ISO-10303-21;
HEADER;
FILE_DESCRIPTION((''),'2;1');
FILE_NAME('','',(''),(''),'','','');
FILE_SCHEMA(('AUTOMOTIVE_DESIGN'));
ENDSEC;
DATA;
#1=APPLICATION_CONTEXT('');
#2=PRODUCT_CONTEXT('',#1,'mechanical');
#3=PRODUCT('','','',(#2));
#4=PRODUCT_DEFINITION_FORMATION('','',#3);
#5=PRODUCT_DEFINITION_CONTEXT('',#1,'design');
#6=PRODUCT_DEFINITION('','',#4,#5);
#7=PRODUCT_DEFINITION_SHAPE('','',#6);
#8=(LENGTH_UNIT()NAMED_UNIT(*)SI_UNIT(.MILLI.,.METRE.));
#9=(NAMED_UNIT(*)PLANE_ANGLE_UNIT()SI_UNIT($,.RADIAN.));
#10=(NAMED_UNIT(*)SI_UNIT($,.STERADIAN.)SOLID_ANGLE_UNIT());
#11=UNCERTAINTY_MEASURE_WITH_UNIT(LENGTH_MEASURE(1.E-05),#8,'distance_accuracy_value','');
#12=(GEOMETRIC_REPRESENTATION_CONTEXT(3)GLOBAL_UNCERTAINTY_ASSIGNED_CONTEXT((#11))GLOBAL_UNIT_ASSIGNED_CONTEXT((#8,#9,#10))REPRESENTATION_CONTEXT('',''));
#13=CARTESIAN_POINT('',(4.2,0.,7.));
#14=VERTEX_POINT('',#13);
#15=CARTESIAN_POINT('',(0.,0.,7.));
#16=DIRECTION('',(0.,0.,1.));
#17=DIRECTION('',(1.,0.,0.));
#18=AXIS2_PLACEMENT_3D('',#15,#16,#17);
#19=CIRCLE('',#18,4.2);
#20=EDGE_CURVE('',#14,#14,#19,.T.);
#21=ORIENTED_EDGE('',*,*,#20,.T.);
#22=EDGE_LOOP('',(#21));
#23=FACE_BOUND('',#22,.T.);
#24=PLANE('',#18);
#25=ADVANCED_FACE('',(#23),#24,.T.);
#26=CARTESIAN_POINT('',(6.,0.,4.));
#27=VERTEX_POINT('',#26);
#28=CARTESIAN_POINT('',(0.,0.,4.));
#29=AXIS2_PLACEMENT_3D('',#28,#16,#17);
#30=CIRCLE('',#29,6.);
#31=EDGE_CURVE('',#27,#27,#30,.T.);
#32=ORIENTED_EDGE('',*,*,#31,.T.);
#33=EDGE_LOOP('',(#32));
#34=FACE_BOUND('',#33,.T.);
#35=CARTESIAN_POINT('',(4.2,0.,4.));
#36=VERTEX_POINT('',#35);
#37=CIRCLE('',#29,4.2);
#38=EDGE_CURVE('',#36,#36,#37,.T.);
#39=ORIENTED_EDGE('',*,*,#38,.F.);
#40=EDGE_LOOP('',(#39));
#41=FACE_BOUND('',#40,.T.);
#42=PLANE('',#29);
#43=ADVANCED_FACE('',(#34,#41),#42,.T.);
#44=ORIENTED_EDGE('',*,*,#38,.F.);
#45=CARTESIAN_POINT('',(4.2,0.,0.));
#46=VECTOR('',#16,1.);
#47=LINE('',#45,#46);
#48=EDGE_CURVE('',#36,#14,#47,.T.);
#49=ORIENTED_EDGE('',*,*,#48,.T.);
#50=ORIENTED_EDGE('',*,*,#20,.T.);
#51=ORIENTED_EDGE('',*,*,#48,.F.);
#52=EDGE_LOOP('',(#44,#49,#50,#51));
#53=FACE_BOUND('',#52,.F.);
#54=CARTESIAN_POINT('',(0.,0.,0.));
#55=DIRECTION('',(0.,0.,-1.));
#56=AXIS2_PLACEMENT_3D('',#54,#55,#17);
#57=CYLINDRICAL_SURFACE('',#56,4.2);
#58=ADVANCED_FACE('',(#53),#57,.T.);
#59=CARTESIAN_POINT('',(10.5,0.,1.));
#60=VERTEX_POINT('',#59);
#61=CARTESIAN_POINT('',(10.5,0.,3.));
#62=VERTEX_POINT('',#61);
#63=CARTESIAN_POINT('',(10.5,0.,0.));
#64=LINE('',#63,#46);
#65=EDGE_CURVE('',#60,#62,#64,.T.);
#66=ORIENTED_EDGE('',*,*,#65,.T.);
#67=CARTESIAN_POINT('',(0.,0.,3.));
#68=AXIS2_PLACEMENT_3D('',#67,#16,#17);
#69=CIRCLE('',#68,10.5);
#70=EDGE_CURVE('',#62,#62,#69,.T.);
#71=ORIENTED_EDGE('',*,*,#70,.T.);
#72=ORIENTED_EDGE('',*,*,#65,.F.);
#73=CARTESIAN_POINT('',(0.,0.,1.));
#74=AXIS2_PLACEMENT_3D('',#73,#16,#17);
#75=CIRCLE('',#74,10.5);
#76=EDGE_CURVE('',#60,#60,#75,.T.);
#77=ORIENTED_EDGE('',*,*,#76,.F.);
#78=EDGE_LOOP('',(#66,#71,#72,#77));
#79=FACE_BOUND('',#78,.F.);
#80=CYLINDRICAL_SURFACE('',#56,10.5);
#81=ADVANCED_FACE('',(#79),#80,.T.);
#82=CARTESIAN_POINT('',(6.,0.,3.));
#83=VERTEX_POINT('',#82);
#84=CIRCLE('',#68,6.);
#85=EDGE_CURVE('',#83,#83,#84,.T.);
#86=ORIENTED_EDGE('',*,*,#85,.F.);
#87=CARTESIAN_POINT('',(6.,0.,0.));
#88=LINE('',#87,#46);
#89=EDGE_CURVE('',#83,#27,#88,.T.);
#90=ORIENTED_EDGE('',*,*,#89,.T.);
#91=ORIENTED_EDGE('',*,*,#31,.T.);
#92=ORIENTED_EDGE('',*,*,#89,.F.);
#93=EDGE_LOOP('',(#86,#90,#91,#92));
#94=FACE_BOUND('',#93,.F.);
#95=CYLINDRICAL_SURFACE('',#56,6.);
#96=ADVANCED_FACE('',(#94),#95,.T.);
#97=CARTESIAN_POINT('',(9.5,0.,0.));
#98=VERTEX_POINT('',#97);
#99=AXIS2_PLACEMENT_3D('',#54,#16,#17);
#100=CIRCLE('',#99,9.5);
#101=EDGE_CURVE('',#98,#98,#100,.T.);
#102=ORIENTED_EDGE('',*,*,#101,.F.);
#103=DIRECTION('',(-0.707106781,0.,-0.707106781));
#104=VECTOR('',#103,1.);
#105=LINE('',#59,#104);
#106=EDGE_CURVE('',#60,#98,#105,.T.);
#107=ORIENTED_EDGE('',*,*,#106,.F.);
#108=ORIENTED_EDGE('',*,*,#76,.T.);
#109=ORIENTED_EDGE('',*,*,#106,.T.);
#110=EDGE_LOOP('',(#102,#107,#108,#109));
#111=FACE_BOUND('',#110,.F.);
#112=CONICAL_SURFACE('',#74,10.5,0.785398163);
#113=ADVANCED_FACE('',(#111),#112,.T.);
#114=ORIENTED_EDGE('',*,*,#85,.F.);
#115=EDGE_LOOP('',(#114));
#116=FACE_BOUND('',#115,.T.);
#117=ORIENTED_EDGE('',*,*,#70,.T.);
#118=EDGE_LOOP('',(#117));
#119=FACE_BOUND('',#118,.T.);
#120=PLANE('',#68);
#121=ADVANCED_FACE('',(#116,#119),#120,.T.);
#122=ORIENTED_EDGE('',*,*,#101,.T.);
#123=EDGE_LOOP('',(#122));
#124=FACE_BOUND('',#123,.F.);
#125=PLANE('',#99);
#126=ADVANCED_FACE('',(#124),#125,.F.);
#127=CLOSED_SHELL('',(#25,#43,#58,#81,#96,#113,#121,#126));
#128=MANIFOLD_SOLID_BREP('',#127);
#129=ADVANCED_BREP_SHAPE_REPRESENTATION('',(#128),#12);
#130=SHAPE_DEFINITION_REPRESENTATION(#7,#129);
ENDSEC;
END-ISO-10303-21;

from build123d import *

# Parameters (mm, degrees)
F2_R     = 10.5
F2_R_2   = 6
F3_DEPTH = 3
F2_R_3   = 4.2
F4_DEPTH = 4
F5_DEPTH = 7
F6_SIZE  = 1


with BuildPart() as f3:
    # F2 (on Top) → F3 (new body)
    with BuildSketch(Plane.XY):
        Circle(F2_R)
        Circle(F2_R_2, mode=Mode.SUBTRACT)
    extrude(amount=F3_DEPTH)

    # F2 (on Top) → F4 (join)
    with BuildSketch(Plane.XY):
        Circle(F2_R_2)
        Circle(F2_R_3, mode=Mode.SUBTRACT)
    extrude(amount=F4_DEPTH)

    # F2 (on Top) → F5 (join)
    with BuildSketch(Plane.XY):
        Circle(F2_R_3)
    extrude(amount=F5_DEPTH)

    # F6
    f6_edges = [f3.edges().sort_by_distance(p)[0] for p in [
        (-10.5, 0, 0),
    ]]
    chamfer(f6_edges, length=F6_SIZE)


solid = f3.part
